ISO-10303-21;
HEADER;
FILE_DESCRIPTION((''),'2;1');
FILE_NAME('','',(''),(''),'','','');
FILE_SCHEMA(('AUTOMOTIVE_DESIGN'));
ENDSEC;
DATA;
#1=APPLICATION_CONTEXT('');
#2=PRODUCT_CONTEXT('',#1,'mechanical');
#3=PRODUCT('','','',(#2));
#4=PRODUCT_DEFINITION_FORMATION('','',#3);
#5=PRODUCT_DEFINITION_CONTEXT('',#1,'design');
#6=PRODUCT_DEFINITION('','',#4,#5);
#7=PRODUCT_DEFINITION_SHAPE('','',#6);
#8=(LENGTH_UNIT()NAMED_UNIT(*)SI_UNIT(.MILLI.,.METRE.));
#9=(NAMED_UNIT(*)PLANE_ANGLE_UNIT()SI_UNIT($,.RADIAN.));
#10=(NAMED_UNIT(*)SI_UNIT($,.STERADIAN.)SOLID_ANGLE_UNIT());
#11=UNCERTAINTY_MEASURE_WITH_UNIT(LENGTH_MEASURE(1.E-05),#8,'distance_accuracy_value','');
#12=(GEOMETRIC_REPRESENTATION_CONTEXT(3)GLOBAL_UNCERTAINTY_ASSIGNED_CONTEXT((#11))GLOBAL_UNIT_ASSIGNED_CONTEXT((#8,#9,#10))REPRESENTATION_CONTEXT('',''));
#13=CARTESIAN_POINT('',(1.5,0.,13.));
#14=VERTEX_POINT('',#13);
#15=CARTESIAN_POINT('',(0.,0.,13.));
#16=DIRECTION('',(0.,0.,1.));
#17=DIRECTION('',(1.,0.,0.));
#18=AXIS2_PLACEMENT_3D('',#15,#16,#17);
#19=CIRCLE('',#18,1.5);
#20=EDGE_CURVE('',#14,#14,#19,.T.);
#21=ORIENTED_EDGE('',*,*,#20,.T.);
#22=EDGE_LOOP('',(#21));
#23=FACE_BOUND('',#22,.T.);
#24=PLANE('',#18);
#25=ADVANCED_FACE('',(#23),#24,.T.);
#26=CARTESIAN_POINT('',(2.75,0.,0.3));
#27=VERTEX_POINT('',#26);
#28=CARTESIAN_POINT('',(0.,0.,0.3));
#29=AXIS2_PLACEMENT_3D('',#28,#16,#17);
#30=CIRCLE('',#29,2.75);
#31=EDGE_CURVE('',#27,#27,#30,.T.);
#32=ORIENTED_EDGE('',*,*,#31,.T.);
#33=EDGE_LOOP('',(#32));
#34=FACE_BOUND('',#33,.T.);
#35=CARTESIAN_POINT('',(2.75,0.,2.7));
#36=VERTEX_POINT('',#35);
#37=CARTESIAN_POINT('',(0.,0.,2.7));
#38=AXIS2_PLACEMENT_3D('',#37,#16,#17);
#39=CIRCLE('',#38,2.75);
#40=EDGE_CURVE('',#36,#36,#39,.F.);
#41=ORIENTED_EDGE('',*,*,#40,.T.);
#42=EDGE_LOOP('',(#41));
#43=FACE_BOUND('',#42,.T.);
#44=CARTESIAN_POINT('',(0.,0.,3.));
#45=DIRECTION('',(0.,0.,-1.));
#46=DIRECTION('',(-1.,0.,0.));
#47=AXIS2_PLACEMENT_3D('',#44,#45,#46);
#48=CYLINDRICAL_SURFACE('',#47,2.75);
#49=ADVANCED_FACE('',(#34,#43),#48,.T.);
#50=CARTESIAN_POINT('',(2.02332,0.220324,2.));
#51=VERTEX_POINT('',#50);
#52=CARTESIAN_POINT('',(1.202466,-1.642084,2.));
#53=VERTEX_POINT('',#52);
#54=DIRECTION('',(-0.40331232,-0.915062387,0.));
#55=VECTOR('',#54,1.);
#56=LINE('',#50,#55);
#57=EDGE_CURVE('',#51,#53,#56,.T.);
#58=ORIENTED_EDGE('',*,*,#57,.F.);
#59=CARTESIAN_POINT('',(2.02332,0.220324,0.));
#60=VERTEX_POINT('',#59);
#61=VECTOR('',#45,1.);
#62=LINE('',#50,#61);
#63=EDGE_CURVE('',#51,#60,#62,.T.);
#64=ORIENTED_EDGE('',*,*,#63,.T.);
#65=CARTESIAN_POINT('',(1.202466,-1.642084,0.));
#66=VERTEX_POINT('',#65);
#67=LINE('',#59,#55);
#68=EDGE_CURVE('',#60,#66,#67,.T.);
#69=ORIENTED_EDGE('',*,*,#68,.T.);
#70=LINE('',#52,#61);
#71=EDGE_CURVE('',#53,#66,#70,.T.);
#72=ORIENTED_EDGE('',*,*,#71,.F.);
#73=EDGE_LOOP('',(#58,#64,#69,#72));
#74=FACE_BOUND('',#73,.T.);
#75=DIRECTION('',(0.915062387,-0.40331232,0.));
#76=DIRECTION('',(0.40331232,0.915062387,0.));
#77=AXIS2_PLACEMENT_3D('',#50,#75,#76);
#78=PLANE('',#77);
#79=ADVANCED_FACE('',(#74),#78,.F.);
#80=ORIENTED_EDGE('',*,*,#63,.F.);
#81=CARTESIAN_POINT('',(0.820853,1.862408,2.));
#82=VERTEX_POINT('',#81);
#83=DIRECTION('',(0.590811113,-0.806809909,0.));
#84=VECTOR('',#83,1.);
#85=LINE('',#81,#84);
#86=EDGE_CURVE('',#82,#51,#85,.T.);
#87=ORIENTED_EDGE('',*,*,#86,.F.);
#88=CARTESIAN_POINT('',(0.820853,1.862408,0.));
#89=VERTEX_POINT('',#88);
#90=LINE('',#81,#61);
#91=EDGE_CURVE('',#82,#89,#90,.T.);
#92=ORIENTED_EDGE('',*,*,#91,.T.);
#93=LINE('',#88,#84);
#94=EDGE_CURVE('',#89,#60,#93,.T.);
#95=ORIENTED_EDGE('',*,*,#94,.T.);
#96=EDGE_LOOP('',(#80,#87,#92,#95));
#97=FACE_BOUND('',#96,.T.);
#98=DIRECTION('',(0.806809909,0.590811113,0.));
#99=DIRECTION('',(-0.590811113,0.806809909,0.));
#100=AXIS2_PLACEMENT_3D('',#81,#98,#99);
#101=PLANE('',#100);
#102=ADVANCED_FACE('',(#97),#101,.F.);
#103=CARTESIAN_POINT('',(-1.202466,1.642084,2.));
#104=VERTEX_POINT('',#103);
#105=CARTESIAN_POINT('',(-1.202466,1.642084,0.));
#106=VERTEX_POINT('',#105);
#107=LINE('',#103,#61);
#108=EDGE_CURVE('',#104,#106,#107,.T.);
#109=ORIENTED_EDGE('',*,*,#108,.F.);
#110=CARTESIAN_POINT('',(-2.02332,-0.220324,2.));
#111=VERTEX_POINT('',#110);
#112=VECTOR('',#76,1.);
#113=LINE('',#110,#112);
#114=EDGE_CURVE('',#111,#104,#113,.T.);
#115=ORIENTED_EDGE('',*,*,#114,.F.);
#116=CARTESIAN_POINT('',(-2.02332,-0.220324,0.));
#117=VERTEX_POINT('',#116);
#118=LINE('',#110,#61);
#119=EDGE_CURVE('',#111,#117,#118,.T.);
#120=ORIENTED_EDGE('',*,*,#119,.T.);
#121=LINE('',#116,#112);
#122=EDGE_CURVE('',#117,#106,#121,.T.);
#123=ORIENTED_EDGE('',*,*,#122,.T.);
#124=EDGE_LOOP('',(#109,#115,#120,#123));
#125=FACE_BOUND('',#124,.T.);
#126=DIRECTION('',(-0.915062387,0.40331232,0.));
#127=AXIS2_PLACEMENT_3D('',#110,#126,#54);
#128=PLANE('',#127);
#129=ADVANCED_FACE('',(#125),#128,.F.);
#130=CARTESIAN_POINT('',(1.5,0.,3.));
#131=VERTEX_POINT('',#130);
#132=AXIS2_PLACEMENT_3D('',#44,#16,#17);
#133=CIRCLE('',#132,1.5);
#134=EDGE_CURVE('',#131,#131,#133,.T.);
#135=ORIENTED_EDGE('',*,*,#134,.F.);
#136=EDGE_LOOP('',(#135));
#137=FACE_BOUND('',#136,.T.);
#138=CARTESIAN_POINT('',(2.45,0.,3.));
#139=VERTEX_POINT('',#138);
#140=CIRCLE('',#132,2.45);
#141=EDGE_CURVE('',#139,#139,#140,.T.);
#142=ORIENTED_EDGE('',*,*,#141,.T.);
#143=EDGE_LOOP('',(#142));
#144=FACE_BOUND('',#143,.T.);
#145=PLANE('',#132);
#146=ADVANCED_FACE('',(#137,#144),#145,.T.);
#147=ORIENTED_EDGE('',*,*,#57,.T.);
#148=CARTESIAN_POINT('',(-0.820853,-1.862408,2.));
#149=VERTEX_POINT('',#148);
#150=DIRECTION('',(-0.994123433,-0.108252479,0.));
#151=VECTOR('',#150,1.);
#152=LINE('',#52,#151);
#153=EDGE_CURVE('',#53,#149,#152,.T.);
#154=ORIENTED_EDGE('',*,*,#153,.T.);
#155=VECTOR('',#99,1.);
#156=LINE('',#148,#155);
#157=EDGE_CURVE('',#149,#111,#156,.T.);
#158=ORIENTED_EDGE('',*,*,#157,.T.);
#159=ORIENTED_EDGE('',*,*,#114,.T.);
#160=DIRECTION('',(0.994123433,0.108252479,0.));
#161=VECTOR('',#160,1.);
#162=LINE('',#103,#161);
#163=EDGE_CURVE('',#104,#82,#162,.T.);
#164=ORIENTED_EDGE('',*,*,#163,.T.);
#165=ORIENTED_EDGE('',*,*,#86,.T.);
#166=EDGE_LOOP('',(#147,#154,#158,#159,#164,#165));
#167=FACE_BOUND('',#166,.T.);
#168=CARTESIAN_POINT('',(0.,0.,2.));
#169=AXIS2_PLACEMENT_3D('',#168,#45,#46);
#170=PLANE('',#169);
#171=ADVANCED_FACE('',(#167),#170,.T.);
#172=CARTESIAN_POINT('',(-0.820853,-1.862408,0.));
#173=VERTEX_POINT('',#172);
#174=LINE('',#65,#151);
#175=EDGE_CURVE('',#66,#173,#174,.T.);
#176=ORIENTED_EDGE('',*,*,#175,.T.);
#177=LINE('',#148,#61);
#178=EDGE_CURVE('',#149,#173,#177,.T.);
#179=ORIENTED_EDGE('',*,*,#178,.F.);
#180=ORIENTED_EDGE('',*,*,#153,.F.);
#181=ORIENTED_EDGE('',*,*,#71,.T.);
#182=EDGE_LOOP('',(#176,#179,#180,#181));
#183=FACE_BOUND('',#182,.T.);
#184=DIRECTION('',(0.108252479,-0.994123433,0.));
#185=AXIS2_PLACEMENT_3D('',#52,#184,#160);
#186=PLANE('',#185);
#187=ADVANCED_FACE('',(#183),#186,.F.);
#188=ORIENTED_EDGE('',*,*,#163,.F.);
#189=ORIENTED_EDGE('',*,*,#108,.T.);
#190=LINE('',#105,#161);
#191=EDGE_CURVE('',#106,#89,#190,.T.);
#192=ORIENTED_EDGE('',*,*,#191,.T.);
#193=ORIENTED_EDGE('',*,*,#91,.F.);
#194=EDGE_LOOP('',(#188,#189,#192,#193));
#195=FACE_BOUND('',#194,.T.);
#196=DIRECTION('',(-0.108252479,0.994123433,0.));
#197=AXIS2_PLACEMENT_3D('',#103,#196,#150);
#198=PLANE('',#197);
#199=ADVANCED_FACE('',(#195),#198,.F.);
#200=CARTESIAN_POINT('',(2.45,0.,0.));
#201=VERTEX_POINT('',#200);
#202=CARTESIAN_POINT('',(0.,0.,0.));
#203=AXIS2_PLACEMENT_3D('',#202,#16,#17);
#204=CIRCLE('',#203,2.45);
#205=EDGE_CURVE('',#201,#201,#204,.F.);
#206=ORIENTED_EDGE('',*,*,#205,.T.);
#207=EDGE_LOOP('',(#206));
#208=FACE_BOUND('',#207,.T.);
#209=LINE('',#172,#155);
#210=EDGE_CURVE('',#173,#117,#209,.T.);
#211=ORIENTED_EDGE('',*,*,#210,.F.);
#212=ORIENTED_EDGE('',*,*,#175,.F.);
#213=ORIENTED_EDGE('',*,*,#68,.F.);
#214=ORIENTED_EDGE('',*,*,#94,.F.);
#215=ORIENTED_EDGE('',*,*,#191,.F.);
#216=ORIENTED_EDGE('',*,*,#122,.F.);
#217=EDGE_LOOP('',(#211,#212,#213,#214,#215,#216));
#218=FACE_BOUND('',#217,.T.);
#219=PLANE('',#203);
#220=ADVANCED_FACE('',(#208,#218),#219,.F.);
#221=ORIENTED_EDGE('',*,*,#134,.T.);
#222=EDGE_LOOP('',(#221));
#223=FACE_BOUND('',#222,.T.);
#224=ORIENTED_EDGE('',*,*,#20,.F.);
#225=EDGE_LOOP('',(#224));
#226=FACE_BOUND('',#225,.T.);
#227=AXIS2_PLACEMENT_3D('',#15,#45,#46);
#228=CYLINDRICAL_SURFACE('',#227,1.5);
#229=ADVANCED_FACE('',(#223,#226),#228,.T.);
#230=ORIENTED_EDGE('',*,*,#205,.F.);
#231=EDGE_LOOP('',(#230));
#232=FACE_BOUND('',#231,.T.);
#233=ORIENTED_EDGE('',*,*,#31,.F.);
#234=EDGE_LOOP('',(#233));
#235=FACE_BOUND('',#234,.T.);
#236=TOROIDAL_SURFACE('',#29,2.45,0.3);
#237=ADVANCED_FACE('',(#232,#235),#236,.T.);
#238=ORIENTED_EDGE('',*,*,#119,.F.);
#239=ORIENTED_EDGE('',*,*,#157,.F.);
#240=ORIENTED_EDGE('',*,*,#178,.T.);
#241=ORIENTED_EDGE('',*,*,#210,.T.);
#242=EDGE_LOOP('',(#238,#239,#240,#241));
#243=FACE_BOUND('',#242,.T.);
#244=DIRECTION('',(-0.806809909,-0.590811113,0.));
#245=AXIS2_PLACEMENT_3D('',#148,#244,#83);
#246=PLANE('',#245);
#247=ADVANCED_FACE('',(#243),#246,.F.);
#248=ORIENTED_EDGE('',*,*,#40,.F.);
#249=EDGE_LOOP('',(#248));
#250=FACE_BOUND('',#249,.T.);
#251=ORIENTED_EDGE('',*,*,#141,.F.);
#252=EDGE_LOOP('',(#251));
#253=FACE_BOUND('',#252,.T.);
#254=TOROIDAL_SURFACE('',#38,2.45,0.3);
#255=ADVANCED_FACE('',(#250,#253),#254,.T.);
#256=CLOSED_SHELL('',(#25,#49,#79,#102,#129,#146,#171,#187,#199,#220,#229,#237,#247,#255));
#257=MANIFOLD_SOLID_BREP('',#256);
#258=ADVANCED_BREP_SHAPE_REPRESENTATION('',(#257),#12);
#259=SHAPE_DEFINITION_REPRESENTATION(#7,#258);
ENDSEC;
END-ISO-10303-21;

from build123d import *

# Parameters (mm, degrees)
SKETCH_1_R          = 2.75
EXTRUDE_1_DEPTH     = 3
SKETCH_2_R          = 1.5
EXTRUDE_2_DEPTH     = 10
FILLET_1_R          = 0.3
CUT_EXTRUDE_1_DEPTH = 2


with BuildPart() as part:
    # 草图1 → 凸台-拉伸1 (new body)
    with BuildSketch(Plane.XY):
        Circle(SKETCH_1_R)
    extrude(amount=EXTRUDE_1_DEPTH)

    # 草图2 → 凸台-拉伸2 (add)
    with BuildSketch(Plane.XY.offset(3)):
        Circle(SKETCH_2_R)
    extrude(amount=EXTRUDE_2_DEPTH)

    # 圆角1
    fillet_1_edges = [part.edges().sort_by_distance(p)[0] for p in [
        (-2.75, 0, 0),
        (-2.75, 0, 3),
    ]]
    fillet(fillet_1_edges, radius=FILLET_1_R)

    # 草图3 → 切除-拉伸1 (cut)
    with BuildSketch(Plane(origin=(0, 0, 0), x_dir=(-1, 0, 0), z_dir=(0, 0, -1))):
        Polygon((-0.820853493, 1.862408161), (-2.023319526, 0.220324103), (-1.202466033, -1.642084058), (0.820853493, -1.862408161), (2.023319526, -0.220324103), (1.202466033, 1.642084058), align=None)
    extrude(amount=-CUT_EXTRUDE_1_DEPTH, mode=Mode.SUBTRACT)


solid = part.part
